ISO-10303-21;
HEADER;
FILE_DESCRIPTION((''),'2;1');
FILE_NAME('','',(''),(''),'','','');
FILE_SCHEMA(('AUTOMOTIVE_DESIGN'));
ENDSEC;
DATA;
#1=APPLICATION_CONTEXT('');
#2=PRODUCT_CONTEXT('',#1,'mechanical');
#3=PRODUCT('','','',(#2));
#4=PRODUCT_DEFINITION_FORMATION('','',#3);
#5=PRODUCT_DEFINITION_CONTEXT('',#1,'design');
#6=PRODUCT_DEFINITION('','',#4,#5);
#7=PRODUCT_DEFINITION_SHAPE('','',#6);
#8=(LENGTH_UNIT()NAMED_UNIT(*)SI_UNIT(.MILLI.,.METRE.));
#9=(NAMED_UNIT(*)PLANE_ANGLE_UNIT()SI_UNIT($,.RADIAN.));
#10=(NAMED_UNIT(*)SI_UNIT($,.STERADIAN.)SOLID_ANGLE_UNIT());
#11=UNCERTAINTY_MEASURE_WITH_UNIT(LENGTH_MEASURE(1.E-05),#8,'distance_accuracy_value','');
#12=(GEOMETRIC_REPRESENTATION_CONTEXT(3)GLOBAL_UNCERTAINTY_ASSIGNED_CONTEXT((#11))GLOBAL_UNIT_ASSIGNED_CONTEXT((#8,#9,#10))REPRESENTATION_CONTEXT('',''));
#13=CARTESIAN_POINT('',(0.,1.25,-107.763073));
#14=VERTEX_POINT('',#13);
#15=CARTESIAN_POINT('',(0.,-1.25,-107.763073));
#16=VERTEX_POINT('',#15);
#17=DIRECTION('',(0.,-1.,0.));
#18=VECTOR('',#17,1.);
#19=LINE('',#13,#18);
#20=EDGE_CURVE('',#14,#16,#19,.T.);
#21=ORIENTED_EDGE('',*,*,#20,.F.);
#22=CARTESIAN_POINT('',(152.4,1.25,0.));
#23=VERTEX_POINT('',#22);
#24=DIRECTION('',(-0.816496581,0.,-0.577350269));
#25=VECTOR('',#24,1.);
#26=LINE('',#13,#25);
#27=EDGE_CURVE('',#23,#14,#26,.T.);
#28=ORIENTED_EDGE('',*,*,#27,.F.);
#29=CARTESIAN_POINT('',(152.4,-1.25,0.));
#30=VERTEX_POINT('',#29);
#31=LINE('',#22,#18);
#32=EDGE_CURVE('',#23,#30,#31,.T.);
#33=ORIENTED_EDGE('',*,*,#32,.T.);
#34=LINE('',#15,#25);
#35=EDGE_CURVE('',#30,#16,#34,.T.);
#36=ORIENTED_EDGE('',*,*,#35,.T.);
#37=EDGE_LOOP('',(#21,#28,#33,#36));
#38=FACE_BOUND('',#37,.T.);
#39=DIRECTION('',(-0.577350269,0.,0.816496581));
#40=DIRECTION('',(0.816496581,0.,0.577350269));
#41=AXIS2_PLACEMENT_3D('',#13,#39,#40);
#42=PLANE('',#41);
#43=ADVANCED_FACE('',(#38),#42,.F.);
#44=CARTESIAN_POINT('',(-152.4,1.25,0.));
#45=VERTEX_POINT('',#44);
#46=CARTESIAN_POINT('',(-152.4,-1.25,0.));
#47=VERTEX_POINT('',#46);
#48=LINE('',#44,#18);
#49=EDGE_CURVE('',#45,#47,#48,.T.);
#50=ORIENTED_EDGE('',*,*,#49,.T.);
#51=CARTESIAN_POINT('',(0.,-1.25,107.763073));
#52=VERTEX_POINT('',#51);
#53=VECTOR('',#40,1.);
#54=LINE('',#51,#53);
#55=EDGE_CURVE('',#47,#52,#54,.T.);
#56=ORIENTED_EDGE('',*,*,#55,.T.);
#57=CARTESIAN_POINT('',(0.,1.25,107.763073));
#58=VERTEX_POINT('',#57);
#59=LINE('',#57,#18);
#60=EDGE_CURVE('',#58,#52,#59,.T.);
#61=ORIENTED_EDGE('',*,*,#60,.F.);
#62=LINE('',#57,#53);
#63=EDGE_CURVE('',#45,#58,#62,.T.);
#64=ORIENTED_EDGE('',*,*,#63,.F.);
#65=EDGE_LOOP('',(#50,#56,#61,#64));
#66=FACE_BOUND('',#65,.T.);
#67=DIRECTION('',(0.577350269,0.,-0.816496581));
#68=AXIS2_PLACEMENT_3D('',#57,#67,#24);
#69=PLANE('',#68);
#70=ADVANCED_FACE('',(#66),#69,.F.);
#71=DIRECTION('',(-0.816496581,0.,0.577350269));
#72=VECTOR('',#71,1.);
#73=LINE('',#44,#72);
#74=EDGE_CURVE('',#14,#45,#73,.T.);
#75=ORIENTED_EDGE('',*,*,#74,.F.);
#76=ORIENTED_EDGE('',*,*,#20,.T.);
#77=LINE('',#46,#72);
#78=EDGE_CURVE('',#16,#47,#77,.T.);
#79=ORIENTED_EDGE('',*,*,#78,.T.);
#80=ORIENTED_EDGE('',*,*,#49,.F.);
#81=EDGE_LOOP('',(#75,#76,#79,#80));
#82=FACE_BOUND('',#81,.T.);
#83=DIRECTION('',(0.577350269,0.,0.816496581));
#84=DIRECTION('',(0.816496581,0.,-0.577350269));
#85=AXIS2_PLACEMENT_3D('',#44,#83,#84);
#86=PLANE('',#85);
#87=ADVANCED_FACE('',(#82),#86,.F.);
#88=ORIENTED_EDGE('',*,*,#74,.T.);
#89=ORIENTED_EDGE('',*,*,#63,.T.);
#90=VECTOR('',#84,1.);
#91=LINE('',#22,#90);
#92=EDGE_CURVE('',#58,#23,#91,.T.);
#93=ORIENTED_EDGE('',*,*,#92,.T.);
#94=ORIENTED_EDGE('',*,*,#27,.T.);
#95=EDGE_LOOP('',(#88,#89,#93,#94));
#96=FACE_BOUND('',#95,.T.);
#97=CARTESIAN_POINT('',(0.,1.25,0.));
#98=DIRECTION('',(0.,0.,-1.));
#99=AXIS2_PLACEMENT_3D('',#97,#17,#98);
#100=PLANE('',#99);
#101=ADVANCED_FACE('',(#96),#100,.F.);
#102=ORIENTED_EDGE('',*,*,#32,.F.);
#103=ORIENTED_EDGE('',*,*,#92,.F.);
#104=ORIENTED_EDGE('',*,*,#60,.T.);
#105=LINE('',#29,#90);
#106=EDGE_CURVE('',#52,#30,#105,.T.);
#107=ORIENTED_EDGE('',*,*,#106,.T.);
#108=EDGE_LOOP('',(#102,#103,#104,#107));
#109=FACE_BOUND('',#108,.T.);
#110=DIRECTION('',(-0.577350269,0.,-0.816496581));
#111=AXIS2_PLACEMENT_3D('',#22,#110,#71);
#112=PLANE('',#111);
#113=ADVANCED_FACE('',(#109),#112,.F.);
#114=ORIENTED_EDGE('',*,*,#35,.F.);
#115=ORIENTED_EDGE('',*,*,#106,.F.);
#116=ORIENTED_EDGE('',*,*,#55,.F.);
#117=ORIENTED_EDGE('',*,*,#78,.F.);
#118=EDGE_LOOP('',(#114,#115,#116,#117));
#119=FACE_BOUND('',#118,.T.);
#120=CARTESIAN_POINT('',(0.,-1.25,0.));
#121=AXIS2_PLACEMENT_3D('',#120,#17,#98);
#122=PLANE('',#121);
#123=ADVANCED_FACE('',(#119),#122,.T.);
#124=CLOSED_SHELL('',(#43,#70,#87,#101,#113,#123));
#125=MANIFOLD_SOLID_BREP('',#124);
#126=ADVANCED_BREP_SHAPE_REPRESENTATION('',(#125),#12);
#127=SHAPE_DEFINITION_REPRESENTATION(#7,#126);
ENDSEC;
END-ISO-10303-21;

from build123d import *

# Parameters (mm, degrees)
BOSS_EXTRUDE1_DEPTH = 1.25


with BuildPart() as part:
    # Sketch1 → Boss-Extrude1 (new body, symmetric)
    with BuildSketch(Plane(origin=(0, 0, 0), x_dir=(1, 0, 0), z_dir=(0, 1, 0))):
        Polygon((-152.4, 0), (0, 107.763073453), (152.4, 0), (0, -107.763073453), align=None)
    extrude(amount=BOSS_EXTRUDE1_DEPTH, both=True)


solid = part.part
